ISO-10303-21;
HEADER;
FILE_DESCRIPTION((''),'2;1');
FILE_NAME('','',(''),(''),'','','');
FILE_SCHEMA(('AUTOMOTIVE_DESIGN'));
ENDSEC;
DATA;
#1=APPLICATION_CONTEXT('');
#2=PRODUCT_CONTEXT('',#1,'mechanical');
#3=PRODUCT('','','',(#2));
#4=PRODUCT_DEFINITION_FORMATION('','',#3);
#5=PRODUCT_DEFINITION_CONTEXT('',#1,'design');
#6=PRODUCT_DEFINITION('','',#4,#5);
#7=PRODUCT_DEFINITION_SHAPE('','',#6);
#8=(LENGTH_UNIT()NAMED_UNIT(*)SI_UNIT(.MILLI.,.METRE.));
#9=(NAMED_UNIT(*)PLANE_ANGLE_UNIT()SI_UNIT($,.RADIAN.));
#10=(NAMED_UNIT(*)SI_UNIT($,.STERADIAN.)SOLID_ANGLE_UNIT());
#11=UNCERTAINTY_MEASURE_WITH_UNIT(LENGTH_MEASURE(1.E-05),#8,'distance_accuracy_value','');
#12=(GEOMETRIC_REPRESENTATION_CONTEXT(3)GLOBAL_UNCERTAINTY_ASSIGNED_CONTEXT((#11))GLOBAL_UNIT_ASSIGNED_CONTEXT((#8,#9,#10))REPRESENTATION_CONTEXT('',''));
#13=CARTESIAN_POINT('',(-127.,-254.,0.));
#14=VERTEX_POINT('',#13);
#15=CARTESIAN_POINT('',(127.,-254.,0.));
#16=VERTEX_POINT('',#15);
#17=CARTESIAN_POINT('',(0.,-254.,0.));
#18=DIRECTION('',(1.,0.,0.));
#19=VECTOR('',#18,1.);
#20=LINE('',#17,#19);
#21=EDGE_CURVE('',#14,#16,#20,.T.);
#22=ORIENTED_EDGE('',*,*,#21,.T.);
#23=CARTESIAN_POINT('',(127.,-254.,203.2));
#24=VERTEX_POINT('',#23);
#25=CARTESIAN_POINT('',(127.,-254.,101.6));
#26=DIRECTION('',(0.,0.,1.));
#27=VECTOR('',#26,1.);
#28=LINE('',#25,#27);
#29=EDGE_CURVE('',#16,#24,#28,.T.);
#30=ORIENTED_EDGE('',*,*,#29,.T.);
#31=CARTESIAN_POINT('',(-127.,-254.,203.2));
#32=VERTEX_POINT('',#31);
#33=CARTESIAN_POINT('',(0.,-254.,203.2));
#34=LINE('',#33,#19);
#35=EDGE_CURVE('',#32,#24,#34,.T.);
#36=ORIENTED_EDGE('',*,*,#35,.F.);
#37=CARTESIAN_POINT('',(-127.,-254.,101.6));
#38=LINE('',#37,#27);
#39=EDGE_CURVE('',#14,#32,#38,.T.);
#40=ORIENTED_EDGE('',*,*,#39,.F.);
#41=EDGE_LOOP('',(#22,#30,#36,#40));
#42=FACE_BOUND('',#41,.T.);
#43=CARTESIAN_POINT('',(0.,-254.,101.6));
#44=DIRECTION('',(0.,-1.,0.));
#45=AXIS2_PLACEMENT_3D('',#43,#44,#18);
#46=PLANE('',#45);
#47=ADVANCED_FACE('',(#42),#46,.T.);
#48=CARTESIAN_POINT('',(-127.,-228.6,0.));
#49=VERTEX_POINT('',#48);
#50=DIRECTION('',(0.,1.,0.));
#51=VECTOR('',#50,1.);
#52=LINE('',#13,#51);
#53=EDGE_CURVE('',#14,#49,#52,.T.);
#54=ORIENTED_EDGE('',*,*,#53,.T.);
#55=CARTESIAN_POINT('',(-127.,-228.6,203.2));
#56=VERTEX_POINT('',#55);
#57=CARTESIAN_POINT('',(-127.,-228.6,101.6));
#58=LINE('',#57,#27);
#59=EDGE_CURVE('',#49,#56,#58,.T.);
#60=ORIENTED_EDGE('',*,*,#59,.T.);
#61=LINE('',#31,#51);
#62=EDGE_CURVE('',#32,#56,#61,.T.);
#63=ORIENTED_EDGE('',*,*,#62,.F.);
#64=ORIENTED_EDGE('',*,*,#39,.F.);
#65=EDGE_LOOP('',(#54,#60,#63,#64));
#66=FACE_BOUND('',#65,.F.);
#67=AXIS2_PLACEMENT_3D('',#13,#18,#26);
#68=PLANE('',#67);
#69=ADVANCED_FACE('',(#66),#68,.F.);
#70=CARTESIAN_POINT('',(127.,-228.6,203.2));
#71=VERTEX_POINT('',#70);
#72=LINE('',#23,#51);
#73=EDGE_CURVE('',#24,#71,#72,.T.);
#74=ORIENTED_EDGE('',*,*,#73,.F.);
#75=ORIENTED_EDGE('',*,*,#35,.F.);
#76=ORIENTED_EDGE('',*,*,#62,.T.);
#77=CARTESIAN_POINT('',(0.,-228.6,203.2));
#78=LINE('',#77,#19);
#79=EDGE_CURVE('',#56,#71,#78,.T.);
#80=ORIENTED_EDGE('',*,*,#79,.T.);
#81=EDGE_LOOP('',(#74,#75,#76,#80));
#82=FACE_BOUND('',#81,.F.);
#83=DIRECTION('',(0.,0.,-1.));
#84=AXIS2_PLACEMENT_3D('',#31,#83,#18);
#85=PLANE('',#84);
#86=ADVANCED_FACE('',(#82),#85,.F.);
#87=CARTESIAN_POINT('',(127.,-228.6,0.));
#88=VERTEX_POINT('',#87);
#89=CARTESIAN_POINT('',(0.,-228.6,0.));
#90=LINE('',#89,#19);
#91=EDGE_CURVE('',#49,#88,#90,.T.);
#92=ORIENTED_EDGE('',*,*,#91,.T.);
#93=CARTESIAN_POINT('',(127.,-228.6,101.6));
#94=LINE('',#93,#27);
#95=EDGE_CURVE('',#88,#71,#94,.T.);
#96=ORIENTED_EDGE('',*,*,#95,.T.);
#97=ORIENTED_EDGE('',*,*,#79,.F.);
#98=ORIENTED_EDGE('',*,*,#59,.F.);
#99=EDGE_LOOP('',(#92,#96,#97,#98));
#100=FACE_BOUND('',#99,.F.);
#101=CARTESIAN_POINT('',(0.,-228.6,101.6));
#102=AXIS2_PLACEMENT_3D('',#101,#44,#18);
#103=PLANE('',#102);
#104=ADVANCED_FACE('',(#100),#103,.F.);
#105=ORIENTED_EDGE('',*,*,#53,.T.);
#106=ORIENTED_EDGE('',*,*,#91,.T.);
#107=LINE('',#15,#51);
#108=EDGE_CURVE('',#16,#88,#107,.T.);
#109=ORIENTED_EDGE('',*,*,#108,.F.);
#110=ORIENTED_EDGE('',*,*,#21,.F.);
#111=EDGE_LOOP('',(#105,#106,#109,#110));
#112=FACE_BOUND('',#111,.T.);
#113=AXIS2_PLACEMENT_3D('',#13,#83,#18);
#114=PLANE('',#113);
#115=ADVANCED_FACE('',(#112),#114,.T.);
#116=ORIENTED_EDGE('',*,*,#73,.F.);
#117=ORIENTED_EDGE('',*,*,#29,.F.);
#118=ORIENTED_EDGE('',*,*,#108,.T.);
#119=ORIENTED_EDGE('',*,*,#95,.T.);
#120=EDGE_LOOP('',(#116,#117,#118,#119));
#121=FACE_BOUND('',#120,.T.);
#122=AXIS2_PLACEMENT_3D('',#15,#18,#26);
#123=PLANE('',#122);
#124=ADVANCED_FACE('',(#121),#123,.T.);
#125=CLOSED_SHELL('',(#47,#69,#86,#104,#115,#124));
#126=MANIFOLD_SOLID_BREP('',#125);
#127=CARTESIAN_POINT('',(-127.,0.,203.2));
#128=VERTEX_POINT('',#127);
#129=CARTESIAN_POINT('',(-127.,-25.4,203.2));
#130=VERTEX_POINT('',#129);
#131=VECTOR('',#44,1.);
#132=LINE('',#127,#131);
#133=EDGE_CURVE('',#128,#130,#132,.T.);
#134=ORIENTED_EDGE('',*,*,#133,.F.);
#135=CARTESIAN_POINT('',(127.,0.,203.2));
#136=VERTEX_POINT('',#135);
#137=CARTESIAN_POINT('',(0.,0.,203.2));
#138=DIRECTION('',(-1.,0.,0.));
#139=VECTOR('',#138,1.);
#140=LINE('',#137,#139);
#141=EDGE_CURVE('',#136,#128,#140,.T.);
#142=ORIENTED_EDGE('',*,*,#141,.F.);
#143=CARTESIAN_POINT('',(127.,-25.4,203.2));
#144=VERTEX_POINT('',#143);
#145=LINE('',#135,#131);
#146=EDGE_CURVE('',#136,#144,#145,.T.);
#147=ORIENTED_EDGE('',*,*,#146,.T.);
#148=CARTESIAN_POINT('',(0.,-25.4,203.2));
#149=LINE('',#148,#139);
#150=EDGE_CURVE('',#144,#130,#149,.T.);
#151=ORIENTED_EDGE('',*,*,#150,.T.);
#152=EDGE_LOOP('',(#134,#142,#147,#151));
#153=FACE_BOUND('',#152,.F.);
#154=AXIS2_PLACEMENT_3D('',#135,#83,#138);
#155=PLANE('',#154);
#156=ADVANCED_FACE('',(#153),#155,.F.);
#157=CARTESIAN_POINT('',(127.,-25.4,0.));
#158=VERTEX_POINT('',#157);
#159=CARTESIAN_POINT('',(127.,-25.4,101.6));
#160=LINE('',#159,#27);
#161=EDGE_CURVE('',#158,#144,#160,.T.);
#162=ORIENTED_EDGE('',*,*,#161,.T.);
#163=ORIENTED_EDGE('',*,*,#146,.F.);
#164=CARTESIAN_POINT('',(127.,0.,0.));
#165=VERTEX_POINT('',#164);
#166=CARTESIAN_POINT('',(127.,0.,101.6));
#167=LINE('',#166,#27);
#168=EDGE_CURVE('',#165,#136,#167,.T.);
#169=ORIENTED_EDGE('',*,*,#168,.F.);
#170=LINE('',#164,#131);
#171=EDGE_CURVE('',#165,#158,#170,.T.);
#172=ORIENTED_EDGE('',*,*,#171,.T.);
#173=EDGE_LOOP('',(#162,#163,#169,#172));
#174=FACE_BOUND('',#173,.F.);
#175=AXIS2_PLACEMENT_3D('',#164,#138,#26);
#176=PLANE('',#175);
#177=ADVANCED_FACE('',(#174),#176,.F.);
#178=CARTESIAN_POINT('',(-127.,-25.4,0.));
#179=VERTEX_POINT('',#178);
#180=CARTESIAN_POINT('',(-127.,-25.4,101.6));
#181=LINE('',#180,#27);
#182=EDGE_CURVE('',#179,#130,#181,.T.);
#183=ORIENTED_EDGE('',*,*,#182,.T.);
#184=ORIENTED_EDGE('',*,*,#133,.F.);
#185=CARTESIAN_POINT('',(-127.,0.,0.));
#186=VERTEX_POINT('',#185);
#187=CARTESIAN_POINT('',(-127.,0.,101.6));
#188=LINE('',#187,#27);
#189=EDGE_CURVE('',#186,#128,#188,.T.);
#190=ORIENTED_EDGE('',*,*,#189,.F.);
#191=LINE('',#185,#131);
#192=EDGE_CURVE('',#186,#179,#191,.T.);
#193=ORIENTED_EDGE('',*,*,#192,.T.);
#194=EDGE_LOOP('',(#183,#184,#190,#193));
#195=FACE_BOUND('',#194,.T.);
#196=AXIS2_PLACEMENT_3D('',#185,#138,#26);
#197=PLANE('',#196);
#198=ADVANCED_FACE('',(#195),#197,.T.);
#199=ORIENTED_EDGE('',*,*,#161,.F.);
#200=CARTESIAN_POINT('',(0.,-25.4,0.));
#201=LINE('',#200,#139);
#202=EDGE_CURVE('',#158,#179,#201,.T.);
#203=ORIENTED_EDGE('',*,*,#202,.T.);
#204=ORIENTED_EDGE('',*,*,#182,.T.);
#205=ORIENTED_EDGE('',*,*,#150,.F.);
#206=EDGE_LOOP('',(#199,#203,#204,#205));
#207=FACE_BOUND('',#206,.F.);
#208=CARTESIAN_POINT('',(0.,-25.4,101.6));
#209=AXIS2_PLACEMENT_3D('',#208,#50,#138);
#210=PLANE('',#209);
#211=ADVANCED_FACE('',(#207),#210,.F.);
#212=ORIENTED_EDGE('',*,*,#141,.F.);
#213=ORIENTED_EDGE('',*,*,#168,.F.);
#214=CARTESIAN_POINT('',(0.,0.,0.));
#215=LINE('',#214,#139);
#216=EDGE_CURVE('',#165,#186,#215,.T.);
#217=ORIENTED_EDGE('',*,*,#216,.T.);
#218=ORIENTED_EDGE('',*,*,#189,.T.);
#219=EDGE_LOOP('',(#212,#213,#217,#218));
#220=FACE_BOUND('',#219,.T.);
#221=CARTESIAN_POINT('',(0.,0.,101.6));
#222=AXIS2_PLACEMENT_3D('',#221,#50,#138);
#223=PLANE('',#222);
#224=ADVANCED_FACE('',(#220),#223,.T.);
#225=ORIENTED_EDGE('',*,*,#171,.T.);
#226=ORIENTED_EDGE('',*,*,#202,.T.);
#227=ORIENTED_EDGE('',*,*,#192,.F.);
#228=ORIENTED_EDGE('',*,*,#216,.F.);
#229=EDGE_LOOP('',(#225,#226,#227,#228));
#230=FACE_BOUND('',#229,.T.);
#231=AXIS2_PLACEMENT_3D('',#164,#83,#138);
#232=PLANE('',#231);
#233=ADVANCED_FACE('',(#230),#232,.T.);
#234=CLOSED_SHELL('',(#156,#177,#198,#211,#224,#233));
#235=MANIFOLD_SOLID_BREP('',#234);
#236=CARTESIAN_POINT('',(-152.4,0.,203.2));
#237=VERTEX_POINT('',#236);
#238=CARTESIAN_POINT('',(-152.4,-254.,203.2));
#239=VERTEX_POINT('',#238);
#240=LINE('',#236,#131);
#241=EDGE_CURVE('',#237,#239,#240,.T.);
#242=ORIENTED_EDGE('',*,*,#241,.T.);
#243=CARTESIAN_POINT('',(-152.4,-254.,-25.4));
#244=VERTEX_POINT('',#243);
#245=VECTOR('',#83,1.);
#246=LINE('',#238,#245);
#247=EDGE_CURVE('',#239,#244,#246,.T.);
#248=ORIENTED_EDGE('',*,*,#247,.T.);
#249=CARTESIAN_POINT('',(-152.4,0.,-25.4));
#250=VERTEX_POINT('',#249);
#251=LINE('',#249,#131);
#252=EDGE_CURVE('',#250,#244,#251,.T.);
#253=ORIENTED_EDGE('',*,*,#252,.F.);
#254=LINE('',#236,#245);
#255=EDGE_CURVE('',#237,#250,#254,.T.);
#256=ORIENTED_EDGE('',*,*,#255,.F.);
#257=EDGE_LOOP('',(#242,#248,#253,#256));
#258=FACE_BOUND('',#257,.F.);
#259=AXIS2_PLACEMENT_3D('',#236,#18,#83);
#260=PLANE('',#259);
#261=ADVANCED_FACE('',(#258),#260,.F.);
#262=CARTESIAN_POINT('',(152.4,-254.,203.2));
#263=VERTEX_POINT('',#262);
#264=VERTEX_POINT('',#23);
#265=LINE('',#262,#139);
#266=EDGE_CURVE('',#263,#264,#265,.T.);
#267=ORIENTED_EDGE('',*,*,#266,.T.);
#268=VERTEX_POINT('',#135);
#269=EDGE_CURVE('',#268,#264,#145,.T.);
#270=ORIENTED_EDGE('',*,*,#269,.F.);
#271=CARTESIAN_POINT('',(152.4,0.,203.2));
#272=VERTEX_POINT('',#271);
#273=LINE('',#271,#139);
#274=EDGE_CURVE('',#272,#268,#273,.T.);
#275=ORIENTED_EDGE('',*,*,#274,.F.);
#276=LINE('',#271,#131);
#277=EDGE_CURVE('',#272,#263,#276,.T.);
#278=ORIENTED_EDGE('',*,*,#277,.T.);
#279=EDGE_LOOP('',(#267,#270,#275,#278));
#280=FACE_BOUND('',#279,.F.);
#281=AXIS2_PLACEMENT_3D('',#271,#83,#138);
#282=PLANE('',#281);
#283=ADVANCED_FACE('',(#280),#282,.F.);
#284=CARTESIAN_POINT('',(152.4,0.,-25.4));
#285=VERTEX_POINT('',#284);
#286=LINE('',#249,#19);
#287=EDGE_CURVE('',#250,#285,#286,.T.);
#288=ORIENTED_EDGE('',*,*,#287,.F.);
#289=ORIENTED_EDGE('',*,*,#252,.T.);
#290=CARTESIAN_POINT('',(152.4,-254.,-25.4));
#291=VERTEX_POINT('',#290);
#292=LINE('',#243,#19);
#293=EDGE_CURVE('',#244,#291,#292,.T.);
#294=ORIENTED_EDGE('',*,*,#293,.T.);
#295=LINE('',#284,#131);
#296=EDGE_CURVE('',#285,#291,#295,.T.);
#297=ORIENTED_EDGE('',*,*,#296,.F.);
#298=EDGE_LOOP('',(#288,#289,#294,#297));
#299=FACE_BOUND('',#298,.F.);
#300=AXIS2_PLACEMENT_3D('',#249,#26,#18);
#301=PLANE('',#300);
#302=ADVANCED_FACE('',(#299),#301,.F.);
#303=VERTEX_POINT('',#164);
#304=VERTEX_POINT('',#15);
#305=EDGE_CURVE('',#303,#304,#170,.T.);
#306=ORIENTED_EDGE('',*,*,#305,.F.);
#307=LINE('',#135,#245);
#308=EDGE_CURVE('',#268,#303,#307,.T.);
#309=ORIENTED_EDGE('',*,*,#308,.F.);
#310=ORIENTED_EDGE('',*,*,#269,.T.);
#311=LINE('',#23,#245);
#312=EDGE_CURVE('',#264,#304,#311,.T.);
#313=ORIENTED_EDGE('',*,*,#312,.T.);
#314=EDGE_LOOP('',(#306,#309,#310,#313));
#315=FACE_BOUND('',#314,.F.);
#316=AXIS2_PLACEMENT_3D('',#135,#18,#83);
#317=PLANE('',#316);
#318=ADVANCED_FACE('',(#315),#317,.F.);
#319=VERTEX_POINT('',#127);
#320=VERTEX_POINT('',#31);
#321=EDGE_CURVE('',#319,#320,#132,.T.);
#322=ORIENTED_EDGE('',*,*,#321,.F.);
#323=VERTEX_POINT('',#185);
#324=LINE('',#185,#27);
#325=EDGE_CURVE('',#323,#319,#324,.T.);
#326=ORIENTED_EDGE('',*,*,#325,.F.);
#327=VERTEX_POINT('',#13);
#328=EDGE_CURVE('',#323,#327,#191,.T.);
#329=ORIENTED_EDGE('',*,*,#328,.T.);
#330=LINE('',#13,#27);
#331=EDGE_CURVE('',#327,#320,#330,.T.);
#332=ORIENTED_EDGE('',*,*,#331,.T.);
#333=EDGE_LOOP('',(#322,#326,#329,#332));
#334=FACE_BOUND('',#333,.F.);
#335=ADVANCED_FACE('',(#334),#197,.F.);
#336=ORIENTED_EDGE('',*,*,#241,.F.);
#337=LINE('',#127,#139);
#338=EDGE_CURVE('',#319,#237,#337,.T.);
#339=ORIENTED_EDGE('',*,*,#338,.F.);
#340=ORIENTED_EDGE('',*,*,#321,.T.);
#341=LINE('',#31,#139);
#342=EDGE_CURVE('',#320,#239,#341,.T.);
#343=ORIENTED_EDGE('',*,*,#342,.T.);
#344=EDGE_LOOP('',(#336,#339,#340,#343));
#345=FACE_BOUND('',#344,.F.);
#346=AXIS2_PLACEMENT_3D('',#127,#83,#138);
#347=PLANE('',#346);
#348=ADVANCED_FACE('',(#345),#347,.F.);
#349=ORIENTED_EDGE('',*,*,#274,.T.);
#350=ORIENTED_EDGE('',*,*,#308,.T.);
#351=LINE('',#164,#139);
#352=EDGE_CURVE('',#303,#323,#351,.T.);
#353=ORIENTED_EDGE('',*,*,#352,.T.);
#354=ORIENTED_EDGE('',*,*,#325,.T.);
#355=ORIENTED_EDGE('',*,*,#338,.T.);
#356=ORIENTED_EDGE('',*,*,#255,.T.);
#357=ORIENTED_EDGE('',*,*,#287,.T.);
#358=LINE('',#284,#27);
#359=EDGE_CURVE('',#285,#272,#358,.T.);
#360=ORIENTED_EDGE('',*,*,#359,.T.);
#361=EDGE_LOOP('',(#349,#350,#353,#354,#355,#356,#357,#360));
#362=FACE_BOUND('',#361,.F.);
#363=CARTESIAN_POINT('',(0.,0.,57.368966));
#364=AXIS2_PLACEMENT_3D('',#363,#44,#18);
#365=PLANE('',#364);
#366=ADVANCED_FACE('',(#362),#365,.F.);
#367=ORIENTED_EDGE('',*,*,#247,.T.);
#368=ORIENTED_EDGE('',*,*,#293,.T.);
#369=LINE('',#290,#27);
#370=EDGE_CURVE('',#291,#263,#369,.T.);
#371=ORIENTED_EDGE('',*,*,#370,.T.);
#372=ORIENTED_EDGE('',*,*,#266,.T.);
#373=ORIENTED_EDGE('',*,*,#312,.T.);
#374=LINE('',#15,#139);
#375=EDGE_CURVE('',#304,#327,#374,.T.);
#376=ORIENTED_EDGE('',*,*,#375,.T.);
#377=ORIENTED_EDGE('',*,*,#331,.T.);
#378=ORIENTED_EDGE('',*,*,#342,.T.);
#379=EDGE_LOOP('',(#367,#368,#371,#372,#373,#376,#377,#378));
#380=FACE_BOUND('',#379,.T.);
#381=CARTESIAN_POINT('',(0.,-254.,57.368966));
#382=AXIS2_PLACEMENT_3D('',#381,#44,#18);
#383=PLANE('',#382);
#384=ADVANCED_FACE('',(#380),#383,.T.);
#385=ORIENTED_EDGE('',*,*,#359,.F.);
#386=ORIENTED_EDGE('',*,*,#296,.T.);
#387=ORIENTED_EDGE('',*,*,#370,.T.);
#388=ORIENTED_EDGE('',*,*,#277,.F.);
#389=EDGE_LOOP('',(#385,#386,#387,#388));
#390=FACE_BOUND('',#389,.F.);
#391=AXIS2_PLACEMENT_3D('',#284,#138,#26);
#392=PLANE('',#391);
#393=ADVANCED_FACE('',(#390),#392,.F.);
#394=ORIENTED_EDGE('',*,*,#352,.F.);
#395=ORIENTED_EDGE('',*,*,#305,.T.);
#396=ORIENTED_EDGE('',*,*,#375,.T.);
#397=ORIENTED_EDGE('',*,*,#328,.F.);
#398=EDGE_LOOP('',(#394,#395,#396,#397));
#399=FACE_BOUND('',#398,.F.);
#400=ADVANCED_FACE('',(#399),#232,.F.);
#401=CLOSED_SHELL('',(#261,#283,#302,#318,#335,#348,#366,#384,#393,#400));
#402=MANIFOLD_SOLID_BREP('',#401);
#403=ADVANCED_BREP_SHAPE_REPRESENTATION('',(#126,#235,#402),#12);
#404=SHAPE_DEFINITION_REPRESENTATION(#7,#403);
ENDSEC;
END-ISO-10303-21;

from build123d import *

# Parameters (mm, degrees)
F1_DEPTH = 254
F2_W     = 254
F2_H     = 203.2
F3_DEPTH = 25.4
F4_W     = 254
F4_H     = 203.2
F5_DEPTH = 25.4


with BuildPart() as f1:
    # F0 (on Front) → F1 (new body)
    with BuildSketch(Plane.XZ):
        Polygon((127, 0), (0, 0), (-127, 0), (-127, 203.2), (-152.4, 203.2), (-152.4, -25.4), (152.4, -25.4), (152.4, 203.2), (127, 203.2), align=None)
    extrude(amount=F1_DEPTH)


with BuildPart() as f3:
    # F2 (on face) → F3 (new body)
    with BuildSketch(Plane.XZ.offset(254)):
        with Locations((0, 101.6)):
            Rectangle(F2_W, F2_H)
    extrude(amount=-F3_DEPTH)


with BuildPart() as f5:
    # F4 (on face) → F5 (new body)
    with BuildSketch(Plane(origin=(0, 0, 0), x_dir=(-1, 0, 0), z_dir=(0, 1, 0))):
        with Locations((0, 101.6)):
            Rectangle(F4_W, F4_H)
    extrude(amount=-F5_DEPTH)


solid = Compound([f1.part, f3.part, f5.part])
